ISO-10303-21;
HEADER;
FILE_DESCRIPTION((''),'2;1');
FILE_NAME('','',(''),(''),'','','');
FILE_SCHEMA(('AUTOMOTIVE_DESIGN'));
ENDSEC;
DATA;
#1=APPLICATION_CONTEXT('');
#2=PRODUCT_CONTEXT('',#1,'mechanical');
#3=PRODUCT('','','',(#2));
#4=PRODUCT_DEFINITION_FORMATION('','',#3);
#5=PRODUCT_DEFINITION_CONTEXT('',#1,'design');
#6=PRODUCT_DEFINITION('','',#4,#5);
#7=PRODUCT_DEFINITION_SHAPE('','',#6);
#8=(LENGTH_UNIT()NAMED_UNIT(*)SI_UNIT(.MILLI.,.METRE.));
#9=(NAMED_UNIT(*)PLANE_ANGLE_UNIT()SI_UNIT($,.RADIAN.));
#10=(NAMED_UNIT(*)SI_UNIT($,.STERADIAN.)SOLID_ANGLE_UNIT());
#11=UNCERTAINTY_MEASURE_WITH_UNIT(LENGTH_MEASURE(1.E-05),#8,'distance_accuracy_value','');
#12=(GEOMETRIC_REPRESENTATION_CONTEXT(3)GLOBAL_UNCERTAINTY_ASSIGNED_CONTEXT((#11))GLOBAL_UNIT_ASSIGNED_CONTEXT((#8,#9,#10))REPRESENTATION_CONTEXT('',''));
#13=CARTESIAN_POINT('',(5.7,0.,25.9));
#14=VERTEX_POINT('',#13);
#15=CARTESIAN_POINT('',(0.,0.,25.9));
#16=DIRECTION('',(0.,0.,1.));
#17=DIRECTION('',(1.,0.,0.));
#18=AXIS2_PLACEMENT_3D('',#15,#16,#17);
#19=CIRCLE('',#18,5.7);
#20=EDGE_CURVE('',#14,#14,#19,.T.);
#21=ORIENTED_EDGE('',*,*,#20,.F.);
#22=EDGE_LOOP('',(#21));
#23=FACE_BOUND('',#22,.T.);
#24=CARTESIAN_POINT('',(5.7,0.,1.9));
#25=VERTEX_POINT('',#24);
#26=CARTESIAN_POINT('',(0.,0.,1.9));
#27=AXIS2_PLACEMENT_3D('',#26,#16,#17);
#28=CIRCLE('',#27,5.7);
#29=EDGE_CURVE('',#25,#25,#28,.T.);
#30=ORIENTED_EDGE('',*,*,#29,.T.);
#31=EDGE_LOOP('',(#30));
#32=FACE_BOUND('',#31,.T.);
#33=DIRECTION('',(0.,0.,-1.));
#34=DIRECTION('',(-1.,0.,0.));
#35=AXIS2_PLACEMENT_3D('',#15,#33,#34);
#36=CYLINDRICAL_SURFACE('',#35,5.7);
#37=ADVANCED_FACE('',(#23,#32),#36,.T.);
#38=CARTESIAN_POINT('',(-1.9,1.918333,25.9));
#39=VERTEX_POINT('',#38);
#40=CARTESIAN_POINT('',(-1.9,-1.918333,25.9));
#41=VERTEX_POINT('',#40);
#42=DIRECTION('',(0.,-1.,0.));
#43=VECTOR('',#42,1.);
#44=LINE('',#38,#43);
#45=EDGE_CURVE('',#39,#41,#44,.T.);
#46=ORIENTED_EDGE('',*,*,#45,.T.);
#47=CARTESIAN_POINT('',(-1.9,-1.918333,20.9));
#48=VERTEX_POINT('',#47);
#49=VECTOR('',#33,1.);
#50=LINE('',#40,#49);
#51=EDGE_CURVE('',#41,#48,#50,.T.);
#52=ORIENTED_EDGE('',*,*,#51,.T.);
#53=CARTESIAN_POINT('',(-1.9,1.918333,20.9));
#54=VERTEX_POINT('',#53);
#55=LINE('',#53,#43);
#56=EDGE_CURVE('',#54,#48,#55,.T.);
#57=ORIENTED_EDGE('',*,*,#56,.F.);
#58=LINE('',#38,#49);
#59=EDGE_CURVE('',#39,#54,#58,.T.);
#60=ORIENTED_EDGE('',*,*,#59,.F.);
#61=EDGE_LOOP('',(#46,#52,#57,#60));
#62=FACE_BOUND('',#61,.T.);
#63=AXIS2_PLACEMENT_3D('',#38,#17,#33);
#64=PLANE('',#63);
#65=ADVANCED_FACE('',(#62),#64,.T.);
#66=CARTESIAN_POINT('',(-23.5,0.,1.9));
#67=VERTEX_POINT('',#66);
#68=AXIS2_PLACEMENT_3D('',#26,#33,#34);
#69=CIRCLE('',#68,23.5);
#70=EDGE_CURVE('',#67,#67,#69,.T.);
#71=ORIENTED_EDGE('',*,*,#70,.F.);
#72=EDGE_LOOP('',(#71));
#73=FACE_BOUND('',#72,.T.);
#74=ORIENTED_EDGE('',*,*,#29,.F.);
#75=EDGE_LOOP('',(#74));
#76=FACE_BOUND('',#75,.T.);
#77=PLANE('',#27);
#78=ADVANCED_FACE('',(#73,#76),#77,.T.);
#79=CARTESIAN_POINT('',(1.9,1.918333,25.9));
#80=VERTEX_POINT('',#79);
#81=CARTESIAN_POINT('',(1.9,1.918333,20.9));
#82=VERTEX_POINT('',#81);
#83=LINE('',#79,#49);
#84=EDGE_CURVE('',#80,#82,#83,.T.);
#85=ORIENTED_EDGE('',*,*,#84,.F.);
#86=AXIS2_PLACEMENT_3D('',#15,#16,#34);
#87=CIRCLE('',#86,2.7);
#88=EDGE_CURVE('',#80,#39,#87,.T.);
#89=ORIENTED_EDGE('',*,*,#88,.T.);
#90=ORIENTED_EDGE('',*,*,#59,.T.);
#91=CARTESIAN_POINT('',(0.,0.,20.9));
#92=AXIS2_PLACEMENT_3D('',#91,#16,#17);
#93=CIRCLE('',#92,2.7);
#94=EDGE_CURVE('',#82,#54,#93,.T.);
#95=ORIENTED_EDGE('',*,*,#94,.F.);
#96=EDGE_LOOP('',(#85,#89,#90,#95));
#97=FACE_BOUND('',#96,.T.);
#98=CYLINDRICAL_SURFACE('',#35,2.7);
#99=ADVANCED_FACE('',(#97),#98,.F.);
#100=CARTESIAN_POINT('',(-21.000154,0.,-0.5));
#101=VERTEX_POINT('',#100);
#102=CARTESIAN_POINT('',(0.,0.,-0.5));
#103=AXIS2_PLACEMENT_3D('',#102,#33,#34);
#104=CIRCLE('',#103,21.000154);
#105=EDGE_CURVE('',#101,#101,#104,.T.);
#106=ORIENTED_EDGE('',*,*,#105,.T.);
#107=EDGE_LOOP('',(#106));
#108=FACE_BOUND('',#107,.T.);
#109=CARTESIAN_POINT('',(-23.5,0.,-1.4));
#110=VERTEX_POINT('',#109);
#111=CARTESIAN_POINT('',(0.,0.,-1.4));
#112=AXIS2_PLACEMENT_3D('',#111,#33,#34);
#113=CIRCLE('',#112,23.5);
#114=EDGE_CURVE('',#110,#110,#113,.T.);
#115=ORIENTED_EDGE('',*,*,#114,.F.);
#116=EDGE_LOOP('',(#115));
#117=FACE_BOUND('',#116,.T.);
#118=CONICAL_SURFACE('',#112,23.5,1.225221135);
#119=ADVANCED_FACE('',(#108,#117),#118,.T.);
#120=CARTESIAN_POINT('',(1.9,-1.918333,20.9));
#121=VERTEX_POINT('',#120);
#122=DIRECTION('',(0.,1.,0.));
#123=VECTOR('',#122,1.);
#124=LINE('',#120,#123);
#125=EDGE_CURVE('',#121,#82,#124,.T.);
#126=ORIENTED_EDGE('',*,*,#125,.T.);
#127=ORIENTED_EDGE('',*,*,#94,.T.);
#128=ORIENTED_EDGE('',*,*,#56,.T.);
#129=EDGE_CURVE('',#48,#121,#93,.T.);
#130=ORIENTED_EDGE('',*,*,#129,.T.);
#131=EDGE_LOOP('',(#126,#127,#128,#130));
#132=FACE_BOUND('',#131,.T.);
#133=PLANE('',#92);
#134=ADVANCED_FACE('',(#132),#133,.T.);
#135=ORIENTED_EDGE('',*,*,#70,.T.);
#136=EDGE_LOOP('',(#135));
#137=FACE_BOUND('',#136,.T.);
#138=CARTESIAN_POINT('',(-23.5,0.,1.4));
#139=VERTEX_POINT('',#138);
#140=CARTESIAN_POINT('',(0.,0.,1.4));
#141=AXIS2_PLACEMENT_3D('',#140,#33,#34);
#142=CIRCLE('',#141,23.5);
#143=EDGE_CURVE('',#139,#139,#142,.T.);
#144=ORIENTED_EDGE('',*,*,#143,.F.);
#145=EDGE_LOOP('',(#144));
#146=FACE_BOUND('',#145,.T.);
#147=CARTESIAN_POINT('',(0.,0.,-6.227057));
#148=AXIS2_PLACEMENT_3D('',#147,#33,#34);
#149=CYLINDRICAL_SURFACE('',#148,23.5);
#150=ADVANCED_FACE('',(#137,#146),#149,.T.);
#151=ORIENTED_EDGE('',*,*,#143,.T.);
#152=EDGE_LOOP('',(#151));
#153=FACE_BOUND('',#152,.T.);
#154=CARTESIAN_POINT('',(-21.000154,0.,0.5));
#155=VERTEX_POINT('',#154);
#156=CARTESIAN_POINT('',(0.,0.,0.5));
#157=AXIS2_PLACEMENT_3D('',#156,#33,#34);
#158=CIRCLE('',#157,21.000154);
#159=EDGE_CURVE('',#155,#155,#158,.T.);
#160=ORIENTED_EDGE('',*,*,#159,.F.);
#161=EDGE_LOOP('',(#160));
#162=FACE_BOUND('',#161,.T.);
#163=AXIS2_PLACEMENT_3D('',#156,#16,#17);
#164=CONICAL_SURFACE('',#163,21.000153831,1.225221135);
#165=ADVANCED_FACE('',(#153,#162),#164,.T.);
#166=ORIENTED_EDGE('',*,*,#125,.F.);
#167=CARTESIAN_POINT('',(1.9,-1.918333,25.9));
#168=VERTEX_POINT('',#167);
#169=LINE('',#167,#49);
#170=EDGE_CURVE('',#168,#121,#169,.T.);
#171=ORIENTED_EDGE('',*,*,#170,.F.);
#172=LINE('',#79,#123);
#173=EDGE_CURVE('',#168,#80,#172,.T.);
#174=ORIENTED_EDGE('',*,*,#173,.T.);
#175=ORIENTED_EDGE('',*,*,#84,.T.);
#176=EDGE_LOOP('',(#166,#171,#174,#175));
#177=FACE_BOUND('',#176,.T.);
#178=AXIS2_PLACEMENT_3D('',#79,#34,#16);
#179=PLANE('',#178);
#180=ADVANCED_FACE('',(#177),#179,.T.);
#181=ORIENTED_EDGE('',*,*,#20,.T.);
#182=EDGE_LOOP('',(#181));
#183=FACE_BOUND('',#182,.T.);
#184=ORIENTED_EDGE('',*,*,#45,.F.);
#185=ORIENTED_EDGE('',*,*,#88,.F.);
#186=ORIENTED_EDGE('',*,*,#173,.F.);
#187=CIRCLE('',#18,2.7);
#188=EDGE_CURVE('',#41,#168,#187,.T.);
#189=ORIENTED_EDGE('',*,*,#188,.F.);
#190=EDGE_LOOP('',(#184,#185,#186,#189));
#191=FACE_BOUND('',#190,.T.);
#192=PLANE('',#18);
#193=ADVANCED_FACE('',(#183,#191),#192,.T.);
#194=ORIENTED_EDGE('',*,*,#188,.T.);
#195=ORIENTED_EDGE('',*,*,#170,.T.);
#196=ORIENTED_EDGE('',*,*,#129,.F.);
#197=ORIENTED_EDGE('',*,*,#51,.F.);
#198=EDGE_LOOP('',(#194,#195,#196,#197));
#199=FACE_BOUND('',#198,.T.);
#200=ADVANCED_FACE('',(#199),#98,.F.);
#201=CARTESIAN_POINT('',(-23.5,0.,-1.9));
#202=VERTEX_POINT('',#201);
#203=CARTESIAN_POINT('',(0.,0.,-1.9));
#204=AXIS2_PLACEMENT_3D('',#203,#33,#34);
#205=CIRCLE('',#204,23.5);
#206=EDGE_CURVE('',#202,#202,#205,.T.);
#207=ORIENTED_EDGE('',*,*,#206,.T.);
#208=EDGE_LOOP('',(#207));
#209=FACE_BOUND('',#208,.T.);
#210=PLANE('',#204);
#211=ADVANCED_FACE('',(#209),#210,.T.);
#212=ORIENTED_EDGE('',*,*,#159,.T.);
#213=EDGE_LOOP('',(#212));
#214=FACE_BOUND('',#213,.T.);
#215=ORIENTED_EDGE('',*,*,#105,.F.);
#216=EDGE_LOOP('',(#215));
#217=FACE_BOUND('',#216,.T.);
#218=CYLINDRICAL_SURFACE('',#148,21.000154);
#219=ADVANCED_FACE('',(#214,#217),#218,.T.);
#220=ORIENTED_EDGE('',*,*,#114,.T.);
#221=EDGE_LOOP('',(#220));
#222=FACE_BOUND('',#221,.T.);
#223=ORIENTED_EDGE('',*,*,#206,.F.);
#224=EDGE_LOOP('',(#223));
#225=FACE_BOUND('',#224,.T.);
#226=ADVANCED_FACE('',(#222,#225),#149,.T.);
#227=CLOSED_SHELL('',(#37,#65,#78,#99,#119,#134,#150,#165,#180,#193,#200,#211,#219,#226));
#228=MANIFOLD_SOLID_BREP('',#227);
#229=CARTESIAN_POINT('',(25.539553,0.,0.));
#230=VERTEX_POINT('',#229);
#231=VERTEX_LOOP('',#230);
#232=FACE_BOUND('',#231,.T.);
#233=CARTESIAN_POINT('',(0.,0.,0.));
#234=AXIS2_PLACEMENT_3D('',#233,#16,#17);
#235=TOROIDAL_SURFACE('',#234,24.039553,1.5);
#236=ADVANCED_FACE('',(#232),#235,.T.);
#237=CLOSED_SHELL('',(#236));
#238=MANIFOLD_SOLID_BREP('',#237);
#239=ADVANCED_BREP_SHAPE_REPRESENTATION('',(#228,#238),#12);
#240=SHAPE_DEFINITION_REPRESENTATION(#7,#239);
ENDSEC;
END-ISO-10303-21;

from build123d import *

# Parameters (mm, degrees)
CROQUIS3_R              = 5.7
SALIENTE_EXTRUIR2_DEPTH = 24
SALIENTE_EXTRUIR3_REACH = 50.328
SALIENTE_EXTRUIR3_START = -5
CROQUIS5_R              = 1.5


with BuildPart() as part:
    # Croquis1 → Revolución1 (revolve)
    with BuildSketch(Plane(origin=(0, 0, 0), x_dir=(0, 0, -1), z_dir=(1, 0, 0)), mode=Mode.PRIVATE) as revoluci_n1_sk:
        Polygon((-1.9, 0), (-1.9, 23.5), (-1.4, 23.5), (-0.5, 21.000153831), (0.5, 21.000153831), (1.4, 23.5), (1.9, 23.5), (1.9, 0), align=None)
    revolve(revoluci_n1_sk.sketch.rotate(Axis((0, 0, -6.227056579), (0, 0, 1)), 90), axis=Axis((0, 0, -6.227056579), (0, 0, 1)))

    # Croquis3 → Saliente-Extruir2 (add)
    with BuildSketch(Plane.XY.offset(1.9)):
        Circle(CROQUIS3_R)
        with BuildLine():
            Line((-1.9, 1.918332609), (-1.9, -1.918332609))
            ThreePointArc((-1.9, -1.918332609), (0, -2.7), (1.9, -1.918332609))
            Line((1.9, -1.918332609), (1.9, 1.918332609))
            ThreePointArc((1.9, 1.918332609), (0, 2.7), (-1.9, 1.918332609))
        make_face(mode=Mode.SUBTRACT)
    extrude(amount=SALIENTE_EXTRUIR2_DEPTH)

    # Croquis4 → Saliente-Extruir3 (add, up to next)
    with BuildSketch(Plane.XY.offset(25.9).offset(SALIENTE_EXTRUIR3_START), mode=Mode.PRIVATE) as saliente_extruir3_sk1:
        with BuildLine():
            Line((-1.9, 1.918332609), (-1.9, -1.918332609))
            ThreePointArc((-1.9, -1.918332609), (0, -2.7), (1.9, -1.918332609))
            Line((1.9, -1.918332609), (1.9, 1.918332609))
            ThreePointArc((1.9, 1.918332609), (0, 2.7), (-1.9, 1.918332609))
        make_face()
    saliente_extruir3_tool1 = extrude(saliente_extruir3_sk1.sketch, amount=-SALIENTE_EXTRUIR3_REACH, mode=Mode.PRIVATE) - part.part
    add(saliente_extruir3_tool1.solids().sort_by_distance((0, 0, 20.9))[0])


with BuildPart() as body_2:
    # Croquis5 → Revolución2 (revolve)
    with BuildSketch(Plane(origin=(0, 0, 0), x_dir=(0, 0, -1), z_dir=(1, 0, 0)), mode=Mode.PRIVATE) as revoluci_n2_sk:
        with Locations((0, 24.039552594)):
            Circle(CROQUIS5_R)
    revolve(revoluci_n2_sk.sketch.rotate(Axis((0, 0, 9.093206655), (0, 0, -1)), 90), axis=Axis((0, 0, 9.093206655), (0, 0, -1)))


solid = Compound([part.part, body_2.part])
